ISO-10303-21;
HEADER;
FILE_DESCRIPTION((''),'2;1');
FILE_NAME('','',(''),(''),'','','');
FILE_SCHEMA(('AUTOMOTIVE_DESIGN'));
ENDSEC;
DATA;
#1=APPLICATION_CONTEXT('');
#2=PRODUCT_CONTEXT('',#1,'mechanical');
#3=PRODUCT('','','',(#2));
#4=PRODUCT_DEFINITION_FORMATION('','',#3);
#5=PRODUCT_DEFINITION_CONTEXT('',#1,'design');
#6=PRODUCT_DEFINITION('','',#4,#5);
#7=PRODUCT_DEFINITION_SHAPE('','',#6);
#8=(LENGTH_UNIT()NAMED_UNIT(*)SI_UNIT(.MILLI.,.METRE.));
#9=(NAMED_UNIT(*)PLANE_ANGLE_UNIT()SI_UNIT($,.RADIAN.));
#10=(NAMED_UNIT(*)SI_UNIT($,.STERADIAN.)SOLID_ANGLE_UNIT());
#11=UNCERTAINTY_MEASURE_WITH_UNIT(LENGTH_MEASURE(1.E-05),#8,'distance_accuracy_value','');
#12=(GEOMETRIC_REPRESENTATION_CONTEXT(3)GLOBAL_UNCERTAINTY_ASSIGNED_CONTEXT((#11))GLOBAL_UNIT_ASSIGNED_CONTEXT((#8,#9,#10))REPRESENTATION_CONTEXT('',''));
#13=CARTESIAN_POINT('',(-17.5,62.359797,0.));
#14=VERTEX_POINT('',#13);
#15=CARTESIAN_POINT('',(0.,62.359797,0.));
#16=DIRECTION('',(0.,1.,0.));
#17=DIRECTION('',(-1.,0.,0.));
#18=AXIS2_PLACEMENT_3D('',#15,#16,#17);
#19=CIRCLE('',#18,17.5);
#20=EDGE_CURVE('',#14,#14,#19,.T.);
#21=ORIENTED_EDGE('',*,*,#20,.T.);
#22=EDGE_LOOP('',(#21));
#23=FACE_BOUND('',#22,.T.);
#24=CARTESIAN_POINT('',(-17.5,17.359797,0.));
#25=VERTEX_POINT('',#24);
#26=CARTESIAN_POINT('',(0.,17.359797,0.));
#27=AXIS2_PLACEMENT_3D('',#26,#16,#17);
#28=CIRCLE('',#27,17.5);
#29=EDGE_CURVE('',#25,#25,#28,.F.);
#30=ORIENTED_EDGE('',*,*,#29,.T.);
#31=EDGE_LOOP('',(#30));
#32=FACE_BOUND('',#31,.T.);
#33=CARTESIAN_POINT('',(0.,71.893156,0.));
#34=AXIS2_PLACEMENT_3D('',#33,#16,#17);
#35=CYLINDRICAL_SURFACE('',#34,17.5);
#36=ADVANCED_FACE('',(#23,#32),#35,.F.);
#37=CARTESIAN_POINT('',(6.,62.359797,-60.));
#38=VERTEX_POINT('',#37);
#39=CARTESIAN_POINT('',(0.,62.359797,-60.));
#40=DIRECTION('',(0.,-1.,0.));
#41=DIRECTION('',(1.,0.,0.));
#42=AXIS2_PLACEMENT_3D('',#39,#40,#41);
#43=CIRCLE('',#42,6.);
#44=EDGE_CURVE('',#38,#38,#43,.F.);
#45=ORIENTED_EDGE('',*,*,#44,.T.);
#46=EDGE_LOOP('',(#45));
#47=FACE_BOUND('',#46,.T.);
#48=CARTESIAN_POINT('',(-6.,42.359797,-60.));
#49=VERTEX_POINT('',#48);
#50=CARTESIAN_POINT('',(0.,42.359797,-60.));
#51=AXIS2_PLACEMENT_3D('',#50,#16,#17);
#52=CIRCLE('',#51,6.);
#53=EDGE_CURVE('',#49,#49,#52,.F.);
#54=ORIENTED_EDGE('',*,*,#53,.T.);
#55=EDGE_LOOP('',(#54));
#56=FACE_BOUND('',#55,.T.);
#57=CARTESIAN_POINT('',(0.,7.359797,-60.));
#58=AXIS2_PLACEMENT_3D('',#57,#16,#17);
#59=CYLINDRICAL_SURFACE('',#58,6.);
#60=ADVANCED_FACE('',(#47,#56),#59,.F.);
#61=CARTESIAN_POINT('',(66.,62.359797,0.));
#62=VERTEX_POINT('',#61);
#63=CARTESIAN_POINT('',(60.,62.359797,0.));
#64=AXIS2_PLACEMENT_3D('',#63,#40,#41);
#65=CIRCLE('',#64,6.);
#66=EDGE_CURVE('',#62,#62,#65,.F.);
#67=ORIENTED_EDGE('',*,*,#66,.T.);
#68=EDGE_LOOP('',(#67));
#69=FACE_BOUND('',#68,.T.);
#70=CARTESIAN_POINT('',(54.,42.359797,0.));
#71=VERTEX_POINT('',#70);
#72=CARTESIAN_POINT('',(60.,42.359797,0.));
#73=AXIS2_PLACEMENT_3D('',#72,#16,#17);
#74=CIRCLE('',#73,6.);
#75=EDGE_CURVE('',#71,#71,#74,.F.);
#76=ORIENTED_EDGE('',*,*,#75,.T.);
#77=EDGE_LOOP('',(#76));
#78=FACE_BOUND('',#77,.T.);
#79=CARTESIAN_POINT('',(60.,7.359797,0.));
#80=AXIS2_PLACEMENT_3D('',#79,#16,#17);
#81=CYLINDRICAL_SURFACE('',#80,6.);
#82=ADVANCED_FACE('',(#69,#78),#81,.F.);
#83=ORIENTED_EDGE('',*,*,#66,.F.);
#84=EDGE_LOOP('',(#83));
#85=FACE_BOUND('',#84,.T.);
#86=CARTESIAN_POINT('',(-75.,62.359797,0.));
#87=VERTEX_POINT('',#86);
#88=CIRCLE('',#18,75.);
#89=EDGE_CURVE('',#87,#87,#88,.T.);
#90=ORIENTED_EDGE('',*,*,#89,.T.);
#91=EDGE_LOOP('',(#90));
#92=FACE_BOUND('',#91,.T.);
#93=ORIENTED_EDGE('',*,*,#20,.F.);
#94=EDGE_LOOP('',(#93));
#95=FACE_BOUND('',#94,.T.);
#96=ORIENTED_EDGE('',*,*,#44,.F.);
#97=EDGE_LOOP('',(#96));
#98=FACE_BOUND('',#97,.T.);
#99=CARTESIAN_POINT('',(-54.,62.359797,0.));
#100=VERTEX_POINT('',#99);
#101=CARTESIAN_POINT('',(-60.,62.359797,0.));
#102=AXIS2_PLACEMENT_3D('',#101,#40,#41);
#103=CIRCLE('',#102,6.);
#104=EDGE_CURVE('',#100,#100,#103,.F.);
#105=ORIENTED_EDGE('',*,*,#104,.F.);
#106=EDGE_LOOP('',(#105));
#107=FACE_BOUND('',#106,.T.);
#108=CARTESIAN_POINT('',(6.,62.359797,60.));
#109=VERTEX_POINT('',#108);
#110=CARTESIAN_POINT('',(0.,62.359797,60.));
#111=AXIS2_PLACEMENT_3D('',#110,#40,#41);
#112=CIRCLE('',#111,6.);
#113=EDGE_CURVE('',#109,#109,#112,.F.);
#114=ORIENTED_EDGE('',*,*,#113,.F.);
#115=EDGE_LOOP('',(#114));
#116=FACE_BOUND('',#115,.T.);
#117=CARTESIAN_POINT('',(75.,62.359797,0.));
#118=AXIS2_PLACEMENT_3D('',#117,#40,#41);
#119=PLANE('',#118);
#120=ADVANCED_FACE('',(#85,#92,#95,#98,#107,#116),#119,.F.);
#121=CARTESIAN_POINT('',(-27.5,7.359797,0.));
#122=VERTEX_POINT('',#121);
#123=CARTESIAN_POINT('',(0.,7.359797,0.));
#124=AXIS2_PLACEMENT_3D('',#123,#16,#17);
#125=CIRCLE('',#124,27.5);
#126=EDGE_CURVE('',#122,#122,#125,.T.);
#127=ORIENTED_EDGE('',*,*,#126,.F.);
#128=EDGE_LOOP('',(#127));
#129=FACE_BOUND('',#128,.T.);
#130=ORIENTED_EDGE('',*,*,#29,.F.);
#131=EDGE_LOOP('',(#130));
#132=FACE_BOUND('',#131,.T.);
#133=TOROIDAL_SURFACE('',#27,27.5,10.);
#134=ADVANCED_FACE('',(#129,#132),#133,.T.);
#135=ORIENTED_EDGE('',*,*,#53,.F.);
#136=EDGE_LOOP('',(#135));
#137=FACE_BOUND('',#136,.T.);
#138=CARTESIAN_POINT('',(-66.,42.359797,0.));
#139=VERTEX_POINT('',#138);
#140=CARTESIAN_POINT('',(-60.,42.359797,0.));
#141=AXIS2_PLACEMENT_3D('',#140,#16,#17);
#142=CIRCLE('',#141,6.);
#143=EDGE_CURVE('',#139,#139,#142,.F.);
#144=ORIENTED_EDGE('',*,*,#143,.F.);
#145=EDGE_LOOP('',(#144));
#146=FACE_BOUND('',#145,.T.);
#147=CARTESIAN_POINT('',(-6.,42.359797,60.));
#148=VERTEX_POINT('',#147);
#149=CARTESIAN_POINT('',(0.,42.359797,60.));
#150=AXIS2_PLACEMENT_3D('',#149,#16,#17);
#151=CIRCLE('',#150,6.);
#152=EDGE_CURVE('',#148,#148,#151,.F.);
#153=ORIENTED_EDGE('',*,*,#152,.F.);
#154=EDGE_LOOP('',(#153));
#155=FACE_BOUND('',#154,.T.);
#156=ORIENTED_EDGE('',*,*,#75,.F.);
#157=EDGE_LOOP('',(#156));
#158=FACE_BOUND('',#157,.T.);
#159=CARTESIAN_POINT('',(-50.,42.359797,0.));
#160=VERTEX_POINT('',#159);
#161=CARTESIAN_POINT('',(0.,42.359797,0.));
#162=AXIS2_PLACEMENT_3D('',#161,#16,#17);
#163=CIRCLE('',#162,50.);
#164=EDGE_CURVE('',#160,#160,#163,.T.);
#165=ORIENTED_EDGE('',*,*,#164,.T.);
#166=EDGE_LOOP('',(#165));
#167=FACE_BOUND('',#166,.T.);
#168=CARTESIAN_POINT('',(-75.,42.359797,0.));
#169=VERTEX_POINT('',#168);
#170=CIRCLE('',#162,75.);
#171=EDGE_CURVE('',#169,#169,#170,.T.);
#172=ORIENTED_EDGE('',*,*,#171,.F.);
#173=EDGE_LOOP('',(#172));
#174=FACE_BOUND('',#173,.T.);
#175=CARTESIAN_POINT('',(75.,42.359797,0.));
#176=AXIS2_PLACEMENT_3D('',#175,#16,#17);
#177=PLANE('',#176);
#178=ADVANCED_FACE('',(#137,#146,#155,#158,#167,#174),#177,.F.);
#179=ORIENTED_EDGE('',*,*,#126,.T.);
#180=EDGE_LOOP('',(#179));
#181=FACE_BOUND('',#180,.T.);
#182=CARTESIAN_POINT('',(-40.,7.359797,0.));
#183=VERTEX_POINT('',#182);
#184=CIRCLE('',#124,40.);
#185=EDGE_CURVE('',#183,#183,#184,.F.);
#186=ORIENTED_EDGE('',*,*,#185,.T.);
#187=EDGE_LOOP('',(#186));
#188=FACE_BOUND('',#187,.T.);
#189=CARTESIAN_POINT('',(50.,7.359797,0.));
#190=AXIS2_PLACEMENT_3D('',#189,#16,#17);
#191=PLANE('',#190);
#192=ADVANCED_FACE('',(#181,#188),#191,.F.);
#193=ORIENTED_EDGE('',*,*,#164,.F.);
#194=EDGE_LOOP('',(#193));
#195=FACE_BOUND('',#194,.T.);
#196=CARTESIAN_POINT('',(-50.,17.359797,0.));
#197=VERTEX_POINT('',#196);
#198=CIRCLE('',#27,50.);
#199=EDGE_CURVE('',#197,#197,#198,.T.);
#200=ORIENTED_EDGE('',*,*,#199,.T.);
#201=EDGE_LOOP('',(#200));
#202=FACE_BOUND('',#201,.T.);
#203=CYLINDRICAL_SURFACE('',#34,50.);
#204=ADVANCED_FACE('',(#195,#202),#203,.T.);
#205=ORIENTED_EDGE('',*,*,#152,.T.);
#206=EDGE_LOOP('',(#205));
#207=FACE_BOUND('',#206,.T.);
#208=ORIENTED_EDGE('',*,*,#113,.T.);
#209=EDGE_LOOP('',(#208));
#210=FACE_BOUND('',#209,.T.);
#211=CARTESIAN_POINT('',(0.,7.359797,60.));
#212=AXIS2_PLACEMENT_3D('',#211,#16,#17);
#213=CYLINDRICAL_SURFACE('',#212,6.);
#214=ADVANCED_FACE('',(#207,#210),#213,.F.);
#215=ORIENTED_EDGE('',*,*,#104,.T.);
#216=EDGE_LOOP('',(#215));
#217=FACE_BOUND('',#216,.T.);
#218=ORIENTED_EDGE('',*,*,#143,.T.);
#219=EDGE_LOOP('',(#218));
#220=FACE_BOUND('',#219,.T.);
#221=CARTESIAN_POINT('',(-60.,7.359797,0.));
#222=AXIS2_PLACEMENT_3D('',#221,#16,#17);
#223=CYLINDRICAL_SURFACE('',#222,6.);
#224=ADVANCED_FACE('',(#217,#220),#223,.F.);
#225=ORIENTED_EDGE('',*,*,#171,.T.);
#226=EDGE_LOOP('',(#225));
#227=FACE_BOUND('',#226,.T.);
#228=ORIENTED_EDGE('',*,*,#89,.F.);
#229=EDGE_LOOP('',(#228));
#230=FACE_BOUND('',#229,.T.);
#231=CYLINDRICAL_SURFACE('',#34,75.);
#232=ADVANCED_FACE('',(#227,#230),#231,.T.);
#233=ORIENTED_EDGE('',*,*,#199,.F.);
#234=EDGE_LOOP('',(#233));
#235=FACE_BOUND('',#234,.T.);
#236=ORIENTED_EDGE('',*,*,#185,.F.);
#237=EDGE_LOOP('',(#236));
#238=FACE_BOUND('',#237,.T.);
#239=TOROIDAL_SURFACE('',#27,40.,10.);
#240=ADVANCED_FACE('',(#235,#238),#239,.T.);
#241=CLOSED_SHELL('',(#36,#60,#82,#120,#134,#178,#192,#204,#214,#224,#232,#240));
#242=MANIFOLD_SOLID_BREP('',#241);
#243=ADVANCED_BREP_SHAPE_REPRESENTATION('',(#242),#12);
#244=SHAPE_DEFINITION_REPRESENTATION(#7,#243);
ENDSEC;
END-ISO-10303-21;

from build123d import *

# Parameters (mm, degrees)
CORTAR_EXTRUIR1_DEPTH      = 112.691539518
CORTAR_EXTRUIR1_DEPTH_BACK = 29
CROQUIS4_R                 = 6
REDONDEO3_R                = 10


with BuildPart() as part:
    # Croquis1 → Revolución1 (revolve)
    with BuildSketch(Plane.XY, mode=Mode.PRIVATE) as revoluci_n1_sk:
        Polygon((75, 42.359797144), (50, 42.359797144), (50, 7.359797144), (17.5, 7.359797144), (17.5, 42.359797144), (17.5, 62.359797144), (75, 62.359797144), align=None)
    revolve(revoluci_n1_sk.sketch.rotate(Axis((0, 71.893155669, 0), (0, -1, 0)), 180), axis=Axis((0, 71.893155669, 0), (0, -1, 0)))

    # Croquis4 → Cortar-Extruir1 (cut, two sides: drawn at the far end of the back side and taken through both)
    with BuildSketch(Plane.XZ.offset(-42.359797144).offset(-CORTAR_EXTRUIR1_DEPTH_BACK)):
        with Locations(Location((0, 60, 0), (0, 0, 180))):
            Circle(CROQUIS4_R)
        with Locations(Location((60, 0, 0), (0, 0, 180))):
            Circle(CROQUIS4_R)
        with Locations(Location((0, -60, 0), (0, 0, 180))):
            Circle(CROQUIS4_R)
        with Locations(Location((-60, 0, 0), (0, 0, 180))):
            Circle(CROQUIS4_R)
    extrude(amount=CORTAR_EXTRUIR1_DEPTH + CORTAR_EXTRUIR1_DEPTH_BACK, mode=Mode.SUBTRACT)

    # Redondeo3
    redondeo3_edges = [part.edges().sort_by_distance(p)[0] for p in [
        (17.5, 7.359797144, 0),
        (50, 7.359797144, 0),
    ]]
    fillet(redondeo3_edges, radius=REDONDEO3_R)


solid = part.part
